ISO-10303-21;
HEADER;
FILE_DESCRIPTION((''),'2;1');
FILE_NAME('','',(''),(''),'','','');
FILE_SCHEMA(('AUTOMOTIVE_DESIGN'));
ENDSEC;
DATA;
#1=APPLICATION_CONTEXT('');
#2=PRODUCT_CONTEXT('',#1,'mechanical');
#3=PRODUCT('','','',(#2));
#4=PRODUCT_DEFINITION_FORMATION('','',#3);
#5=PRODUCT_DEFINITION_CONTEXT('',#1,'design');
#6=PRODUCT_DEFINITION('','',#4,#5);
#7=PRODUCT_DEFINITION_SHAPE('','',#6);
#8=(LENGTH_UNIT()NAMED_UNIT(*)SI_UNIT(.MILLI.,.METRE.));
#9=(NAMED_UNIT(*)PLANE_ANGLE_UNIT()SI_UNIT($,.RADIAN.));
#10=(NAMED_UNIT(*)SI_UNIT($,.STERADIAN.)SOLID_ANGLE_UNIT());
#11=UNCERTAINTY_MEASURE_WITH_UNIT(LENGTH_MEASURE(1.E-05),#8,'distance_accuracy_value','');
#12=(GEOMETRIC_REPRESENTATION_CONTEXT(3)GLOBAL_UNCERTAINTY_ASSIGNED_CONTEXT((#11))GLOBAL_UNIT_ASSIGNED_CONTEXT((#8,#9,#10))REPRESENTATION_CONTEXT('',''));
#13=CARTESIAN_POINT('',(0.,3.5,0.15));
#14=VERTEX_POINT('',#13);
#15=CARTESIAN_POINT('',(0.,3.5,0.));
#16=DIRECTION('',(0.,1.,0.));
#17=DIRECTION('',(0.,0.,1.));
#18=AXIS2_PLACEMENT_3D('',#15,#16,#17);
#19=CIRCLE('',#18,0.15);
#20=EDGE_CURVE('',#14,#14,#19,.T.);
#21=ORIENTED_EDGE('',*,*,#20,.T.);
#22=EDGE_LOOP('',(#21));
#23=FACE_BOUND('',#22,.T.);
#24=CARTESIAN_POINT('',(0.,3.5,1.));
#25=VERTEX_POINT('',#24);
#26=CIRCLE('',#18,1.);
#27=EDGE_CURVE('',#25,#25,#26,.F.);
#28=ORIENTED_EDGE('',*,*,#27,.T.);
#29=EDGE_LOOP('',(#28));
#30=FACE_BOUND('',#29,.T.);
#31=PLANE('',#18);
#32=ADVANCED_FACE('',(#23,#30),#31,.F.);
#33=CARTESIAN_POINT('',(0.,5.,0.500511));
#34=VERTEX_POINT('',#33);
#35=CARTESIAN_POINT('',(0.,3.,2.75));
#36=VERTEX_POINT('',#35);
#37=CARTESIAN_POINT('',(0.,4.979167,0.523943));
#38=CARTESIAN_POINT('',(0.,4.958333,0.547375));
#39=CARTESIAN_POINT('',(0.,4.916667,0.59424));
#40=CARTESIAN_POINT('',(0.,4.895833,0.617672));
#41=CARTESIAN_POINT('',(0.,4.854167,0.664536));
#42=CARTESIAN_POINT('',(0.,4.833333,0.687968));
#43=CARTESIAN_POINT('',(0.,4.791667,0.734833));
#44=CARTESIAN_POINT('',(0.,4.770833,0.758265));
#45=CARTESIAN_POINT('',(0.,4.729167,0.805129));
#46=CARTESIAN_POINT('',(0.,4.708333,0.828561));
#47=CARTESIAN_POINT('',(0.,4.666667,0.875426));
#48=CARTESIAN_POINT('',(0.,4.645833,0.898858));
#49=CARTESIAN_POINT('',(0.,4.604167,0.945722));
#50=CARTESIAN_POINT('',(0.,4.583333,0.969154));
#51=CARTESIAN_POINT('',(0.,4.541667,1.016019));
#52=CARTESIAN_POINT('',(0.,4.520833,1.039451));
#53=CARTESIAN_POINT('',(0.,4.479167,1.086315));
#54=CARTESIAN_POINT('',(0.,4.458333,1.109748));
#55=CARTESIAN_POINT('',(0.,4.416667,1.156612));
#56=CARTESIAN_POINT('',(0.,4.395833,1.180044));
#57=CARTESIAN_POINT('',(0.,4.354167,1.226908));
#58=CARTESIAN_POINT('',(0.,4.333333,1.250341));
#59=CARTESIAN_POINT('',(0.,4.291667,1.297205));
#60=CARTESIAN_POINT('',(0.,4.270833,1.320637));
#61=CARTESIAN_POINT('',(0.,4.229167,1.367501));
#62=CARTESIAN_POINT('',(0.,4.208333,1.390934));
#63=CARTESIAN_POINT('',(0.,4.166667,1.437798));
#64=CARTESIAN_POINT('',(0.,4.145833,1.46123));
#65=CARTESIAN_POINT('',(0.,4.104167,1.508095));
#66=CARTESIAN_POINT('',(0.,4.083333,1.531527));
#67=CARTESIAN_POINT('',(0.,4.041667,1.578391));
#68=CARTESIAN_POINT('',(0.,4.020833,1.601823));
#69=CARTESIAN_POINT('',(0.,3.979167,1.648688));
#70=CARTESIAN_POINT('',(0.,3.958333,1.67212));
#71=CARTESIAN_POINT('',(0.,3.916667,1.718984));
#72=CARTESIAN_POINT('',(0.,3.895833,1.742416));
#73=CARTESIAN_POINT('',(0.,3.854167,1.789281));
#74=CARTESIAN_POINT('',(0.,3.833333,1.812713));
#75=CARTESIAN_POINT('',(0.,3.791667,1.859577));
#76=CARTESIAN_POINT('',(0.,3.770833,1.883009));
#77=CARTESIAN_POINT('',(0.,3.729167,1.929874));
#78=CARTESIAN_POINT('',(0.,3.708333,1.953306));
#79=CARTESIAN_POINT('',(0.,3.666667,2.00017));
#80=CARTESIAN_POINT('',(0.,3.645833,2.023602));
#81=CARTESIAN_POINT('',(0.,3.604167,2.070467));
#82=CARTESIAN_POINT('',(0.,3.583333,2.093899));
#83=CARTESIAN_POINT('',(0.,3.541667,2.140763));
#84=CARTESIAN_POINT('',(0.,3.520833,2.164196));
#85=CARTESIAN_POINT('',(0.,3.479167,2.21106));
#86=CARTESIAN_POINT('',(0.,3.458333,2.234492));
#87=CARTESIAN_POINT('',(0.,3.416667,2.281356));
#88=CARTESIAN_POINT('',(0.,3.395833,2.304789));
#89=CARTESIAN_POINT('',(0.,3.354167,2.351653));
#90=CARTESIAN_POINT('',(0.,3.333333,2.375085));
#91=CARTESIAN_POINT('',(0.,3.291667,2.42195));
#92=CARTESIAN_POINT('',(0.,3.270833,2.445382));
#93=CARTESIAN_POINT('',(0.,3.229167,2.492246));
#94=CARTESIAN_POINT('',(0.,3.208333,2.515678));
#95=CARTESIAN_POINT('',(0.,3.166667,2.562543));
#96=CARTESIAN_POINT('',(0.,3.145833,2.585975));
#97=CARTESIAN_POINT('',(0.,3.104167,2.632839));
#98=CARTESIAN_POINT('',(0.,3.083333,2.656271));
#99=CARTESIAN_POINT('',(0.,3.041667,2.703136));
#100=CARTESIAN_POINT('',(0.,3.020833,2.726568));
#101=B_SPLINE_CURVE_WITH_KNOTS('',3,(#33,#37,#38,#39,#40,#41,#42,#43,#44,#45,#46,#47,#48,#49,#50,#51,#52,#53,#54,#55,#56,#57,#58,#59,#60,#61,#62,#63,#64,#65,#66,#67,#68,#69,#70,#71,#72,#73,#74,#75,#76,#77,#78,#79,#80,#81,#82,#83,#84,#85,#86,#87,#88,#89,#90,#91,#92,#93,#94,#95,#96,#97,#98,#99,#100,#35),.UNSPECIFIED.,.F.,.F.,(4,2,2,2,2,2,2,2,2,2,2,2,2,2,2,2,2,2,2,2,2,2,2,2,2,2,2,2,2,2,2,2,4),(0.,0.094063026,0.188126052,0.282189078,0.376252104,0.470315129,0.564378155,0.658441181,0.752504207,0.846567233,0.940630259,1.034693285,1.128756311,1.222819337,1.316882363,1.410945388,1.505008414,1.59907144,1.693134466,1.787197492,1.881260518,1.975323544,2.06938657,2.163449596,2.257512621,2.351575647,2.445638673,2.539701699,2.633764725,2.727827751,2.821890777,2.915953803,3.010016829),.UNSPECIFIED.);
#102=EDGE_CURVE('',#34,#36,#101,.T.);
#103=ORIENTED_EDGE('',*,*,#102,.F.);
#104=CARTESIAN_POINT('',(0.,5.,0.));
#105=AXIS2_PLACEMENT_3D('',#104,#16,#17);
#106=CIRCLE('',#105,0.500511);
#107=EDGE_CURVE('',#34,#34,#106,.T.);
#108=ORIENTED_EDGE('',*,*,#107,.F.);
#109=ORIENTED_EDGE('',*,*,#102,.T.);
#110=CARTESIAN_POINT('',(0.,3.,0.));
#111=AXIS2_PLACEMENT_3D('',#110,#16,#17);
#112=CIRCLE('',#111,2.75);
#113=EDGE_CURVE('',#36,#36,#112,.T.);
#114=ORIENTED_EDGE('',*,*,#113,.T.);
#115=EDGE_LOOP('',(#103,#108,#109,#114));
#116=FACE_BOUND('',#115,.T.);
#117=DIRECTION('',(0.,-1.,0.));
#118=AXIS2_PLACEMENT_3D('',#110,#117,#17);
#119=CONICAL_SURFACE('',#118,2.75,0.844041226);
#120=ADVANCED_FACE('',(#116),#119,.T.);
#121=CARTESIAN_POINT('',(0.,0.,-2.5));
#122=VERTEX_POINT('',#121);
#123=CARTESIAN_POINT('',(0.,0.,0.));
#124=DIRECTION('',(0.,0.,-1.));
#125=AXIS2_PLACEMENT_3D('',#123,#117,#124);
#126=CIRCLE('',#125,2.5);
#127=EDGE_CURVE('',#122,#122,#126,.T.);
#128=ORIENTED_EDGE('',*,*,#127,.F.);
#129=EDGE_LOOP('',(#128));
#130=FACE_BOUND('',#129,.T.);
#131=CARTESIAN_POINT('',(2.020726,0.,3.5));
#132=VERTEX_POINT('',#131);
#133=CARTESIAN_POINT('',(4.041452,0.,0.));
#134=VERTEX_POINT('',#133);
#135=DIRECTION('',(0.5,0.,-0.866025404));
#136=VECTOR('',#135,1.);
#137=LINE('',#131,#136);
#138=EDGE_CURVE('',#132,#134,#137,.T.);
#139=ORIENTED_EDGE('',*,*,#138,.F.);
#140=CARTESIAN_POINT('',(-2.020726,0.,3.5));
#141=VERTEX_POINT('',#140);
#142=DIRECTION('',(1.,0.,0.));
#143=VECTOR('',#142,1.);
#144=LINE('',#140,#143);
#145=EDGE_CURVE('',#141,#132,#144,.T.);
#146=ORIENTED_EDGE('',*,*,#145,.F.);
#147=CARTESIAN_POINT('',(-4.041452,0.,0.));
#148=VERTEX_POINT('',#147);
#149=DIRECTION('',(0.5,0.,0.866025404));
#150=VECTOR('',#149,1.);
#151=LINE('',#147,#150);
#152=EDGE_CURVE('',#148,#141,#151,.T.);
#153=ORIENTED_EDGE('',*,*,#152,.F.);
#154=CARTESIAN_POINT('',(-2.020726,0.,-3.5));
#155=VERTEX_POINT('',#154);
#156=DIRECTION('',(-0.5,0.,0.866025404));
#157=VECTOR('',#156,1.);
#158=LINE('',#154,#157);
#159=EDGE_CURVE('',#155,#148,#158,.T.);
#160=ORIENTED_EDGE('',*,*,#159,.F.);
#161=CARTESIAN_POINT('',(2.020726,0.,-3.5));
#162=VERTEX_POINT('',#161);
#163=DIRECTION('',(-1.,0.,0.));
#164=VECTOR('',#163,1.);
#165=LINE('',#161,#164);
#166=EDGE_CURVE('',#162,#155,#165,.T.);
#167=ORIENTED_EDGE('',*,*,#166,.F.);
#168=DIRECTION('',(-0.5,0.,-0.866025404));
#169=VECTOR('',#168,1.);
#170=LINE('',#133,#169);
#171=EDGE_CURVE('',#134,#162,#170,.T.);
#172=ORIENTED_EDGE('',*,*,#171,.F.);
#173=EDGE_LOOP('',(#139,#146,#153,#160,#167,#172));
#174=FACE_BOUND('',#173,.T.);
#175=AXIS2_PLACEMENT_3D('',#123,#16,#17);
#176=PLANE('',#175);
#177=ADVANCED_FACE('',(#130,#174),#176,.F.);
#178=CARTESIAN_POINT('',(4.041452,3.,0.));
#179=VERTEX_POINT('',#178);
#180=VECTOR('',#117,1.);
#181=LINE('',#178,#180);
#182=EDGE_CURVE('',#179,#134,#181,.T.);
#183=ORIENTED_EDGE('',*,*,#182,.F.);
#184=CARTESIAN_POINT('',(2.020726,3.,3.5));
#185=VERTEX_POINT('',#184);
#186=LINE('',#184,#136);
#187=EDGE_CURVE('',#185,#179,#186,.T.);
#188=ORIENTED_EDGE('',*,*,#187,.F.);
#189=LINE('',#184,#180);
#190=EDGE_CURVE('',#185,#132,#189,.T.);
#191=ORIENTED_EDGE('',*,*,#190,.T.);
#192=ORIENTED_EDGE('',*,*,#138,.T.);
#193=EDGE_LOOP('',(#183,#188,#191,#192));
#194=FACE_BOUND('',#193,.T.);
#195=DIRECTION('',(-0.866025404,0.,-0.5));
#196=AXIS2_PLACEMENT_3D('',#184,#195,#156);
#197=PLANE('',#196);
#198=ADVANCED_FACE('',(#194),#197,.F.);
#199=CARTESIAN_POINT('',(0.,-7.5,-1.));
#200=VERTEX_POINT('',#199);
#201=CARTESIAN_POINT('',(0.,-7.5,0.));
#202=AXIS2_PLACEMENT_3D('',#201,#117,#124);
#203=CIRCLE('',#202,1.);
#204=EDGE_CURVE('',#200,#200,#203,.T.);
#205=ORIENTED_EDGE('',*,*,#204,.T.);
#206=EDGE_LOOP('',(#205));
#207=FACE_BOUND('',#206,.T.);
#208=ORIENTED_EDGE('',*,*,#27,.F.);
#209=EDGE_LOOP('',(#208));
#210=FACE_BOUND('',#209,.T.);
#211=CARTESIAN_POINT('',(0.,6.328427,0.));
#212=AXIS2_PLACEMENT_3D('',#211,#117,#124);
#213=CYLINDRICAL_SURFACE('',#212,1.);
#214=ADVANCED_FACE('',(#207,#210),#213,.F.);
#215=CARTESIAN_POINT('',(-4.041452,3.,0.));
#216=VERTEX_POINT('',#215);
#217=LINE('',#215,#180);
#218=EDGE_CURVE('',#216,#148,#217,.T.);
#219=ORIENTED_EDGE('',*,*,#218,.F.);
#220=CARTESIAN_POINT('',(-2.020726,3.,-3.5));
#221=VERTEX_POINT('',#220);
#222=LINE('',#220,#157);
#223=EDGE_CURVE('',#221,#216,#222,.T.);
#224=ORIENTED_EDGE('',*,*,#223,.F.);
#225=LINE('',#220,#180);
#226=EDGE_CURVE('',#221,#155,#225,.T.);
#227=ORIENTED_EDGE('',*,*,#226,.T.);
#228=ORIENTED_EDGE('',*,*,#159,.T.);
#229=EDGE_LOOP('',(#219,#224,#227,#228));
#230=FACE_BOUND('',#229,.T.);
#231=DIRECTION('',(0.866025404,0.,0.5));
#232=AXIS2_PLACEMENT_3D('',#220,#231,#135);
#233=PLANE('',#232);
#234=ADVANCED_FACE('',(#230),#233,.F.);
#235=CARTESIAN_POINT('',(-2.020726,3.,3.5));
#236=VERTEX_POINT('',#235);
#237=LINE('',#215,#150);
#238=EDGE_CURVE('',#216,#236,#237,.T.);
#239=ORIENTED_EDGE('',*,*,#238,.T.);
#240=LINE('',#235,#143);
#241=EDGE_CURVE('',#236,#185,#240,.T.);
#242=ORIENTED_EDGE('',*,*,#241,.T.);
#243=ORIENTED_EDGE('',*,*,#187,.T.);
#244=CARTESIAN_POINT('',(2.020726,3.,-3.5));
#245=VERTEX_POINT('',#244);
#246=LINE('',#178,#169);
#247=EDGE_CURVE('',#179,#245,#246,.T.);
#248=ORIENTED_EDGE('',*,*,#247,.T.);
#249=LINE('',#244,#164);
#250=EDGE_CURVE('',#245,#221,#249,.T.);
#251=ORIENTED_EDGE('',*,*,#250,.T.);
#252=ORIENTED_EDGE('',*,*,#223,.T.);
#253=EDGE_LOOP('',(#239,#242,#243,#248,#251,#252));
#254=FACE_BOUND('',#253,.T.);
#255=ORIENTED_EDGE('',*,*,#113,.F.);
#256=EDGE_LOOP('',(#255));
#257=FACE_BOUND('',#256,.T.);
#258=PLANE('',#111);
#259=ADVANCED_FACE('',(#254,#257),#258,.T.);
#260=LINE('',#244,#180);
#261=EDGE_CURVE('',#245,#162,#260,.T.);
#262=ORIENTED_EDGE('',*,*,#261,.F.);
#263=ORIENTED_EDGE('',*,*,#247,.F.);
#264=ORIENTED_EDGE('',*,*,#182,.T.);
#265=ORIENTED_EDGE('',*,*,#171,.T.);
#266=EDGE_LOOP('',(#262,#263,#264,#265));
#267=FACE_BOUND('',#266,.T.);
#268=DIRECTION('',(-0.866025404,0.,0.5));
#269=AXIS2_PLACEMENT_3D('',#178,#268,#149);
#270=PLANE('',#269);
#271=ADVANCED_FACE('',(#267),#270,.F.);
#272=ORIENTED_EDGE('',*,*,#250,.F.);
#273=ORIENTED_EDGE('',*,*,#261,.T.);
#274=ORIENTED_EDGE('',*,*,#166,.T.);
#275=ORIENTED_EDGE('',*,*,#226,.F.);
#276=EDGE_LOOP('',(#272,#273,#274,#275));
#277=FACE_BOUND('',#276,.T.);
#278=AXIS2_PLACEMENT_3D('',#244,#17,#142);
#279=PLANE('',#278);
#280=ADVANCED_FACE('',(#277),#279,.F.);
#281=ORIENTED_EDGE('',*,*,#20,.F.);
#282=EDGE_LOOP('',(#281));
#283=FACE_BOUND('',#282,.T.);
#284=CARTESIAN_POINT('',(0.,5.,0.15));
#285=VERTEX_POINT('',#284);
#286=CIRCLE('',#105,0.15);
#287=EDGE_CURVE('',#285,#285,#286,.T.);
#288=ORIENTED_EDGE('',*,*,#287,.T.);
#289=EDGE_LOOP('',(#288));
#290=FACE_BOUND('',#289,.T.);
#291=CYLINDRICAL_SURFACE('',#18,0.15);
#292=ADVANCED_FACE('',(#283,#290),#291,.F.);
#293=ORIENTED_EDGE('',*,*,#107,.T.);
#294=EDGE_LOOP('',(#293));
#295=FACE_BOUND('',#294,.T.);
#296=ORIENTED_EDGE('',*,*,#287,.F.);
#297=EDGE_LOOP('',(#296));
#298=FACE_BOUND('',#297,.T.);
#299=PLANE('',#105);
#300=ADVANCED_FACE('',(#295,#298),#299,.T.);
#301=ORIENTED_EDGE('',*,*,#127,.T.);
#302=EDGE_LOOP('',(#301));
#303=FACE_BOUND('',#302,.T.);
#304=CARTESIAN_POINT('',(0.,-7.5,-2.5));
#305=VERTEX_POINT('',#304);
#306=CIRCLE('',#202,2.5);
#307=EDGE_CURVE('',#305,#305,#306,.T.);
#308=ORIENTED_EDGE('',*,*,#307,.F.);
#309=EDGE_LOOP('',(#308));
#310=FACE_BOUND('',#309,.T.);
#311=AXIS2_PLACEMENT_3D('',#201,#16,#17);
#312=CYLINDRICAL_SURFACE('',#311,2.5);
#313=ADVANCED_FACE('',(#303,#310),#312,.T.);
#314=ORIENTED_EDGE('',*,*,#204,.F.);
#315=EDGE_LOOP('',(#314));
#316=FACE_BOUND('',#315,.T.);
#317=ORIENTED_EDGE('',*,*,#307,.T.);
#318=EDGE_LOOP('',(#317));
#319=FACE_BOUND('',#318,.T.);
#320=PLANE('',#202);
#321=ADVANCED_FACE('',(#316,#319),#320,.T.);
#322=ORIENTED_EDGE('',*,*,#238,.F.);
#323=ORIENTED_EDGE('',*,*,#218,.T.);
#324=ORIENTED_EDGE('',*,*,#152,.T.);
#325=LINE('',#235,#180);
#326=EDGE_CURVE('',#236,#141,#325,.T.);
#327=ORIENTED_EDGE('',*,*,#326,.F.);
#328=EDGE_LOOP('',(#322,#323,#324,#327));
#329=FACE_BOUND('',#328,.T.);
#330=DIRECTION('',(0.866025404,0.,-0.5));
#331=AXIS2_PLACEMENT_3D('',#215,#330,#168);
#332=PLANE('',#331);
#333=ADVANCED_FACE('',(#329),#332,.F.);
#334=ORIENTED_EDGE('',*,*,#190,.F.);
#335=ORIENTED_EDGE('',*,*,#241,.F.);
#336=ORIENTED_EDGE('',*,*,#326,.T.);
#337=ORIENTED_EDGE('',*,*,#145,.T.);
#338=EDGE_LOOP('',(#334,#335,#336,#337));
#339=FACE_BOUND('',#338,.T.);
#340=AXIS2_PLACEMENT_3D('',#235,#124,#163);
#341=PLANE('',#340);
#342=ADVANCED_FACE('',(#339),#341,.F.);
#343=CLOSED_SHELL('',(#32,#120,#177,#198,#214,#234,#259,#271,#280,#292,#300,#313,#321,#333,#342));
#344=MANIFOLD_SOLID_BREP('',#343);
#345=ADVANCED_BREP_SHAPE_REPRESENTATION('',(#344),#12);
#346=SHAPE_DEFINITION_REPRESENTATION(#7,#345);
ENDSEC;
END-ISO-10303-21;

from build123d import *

# Parameters (mm, degrees)
BOSS_EXTRUDE1_DEPTH = 3
SKETCH2_R           = 2.75
BOSS_EXTRUDE2_DEPTH = 2
BOSS_EXTRUDE2_TAPER = 48.36
SKETCH4_R           = 0.15
CUT_EXTRUDE1_DEPTH  = 1.5
SKETCH6_R           = 2.5
BOSS_EXTRUDE3_DEPTH = 7.5
SKETCH7_R           = 1
CUT_EXTRUDE3_DEPTH  = 11


with BuildPart() as part:
    # Sketch1 → Boss-Extrude1 (new body)
    with BuildSketch(Plane(origin=(0, 0, 0), x_dir=(1, 0, 0), z_dir=(0, 1, 0))):
        Polygon((4.041451884, 0), (2.020725942, 3.5), (-2.020725942, 3.5), (-4.041451884, 0), (-2.020725942, -3.5), (2.020725942, -3.5), align=None)
    extrude(amount=BOSS_EXTRUDE1_DEPTH)

    # Sketch2 → Boss-Extrude2 (add)
    with BuildSketch(Plane(origin=(0, 3, 0), x_dir=(1, 0, 0), z_dir=(0, 1, 0))):
        Circle(SKETCH2_R)
    extrude(amount=BOSS_EXTRUDE2_DEPTH, taper=BOSS_EXTRUDE2_TAPER)

    # Sketch4 → Cut-Extrude1 (cut)
    with BuildSketch(Plane(origin=(0, 5, 0), x_dir=(1, 0, 0), z_dir=(0, 1, 0))):
        with Locations(Location((0, 0, 0), (0, 0, 270))):
            Circle(SKETCH4_R)
    extrude(amount=-CUT_EXTRUDE1_DEPTH, mode=Mode.SUBTRACT)

    # Sketch6 → Boss-Extrude3 (add)
    with BuildSketch(Plane.XZ):
        with Locations(Location((0, 0, 0), (0, 0, 270))):
            Circle(SKETCH6_R)
    extrude(amount=BOSS_EXTRUDE3_DEPTH)

    # Sketch7 → Cut-Extrude3 (cut)
    with BuildSketch(Plane.XZ.offset(7.5)):
        with Locations(Location((0, 0, 0), (0, 0, 270))):
            Circle(SKETCH7_R)
    extrude(amount=-CUT_EXTRUDE3_DEPTH, mode=Mode.SUBTRACT)


solid = part.part
